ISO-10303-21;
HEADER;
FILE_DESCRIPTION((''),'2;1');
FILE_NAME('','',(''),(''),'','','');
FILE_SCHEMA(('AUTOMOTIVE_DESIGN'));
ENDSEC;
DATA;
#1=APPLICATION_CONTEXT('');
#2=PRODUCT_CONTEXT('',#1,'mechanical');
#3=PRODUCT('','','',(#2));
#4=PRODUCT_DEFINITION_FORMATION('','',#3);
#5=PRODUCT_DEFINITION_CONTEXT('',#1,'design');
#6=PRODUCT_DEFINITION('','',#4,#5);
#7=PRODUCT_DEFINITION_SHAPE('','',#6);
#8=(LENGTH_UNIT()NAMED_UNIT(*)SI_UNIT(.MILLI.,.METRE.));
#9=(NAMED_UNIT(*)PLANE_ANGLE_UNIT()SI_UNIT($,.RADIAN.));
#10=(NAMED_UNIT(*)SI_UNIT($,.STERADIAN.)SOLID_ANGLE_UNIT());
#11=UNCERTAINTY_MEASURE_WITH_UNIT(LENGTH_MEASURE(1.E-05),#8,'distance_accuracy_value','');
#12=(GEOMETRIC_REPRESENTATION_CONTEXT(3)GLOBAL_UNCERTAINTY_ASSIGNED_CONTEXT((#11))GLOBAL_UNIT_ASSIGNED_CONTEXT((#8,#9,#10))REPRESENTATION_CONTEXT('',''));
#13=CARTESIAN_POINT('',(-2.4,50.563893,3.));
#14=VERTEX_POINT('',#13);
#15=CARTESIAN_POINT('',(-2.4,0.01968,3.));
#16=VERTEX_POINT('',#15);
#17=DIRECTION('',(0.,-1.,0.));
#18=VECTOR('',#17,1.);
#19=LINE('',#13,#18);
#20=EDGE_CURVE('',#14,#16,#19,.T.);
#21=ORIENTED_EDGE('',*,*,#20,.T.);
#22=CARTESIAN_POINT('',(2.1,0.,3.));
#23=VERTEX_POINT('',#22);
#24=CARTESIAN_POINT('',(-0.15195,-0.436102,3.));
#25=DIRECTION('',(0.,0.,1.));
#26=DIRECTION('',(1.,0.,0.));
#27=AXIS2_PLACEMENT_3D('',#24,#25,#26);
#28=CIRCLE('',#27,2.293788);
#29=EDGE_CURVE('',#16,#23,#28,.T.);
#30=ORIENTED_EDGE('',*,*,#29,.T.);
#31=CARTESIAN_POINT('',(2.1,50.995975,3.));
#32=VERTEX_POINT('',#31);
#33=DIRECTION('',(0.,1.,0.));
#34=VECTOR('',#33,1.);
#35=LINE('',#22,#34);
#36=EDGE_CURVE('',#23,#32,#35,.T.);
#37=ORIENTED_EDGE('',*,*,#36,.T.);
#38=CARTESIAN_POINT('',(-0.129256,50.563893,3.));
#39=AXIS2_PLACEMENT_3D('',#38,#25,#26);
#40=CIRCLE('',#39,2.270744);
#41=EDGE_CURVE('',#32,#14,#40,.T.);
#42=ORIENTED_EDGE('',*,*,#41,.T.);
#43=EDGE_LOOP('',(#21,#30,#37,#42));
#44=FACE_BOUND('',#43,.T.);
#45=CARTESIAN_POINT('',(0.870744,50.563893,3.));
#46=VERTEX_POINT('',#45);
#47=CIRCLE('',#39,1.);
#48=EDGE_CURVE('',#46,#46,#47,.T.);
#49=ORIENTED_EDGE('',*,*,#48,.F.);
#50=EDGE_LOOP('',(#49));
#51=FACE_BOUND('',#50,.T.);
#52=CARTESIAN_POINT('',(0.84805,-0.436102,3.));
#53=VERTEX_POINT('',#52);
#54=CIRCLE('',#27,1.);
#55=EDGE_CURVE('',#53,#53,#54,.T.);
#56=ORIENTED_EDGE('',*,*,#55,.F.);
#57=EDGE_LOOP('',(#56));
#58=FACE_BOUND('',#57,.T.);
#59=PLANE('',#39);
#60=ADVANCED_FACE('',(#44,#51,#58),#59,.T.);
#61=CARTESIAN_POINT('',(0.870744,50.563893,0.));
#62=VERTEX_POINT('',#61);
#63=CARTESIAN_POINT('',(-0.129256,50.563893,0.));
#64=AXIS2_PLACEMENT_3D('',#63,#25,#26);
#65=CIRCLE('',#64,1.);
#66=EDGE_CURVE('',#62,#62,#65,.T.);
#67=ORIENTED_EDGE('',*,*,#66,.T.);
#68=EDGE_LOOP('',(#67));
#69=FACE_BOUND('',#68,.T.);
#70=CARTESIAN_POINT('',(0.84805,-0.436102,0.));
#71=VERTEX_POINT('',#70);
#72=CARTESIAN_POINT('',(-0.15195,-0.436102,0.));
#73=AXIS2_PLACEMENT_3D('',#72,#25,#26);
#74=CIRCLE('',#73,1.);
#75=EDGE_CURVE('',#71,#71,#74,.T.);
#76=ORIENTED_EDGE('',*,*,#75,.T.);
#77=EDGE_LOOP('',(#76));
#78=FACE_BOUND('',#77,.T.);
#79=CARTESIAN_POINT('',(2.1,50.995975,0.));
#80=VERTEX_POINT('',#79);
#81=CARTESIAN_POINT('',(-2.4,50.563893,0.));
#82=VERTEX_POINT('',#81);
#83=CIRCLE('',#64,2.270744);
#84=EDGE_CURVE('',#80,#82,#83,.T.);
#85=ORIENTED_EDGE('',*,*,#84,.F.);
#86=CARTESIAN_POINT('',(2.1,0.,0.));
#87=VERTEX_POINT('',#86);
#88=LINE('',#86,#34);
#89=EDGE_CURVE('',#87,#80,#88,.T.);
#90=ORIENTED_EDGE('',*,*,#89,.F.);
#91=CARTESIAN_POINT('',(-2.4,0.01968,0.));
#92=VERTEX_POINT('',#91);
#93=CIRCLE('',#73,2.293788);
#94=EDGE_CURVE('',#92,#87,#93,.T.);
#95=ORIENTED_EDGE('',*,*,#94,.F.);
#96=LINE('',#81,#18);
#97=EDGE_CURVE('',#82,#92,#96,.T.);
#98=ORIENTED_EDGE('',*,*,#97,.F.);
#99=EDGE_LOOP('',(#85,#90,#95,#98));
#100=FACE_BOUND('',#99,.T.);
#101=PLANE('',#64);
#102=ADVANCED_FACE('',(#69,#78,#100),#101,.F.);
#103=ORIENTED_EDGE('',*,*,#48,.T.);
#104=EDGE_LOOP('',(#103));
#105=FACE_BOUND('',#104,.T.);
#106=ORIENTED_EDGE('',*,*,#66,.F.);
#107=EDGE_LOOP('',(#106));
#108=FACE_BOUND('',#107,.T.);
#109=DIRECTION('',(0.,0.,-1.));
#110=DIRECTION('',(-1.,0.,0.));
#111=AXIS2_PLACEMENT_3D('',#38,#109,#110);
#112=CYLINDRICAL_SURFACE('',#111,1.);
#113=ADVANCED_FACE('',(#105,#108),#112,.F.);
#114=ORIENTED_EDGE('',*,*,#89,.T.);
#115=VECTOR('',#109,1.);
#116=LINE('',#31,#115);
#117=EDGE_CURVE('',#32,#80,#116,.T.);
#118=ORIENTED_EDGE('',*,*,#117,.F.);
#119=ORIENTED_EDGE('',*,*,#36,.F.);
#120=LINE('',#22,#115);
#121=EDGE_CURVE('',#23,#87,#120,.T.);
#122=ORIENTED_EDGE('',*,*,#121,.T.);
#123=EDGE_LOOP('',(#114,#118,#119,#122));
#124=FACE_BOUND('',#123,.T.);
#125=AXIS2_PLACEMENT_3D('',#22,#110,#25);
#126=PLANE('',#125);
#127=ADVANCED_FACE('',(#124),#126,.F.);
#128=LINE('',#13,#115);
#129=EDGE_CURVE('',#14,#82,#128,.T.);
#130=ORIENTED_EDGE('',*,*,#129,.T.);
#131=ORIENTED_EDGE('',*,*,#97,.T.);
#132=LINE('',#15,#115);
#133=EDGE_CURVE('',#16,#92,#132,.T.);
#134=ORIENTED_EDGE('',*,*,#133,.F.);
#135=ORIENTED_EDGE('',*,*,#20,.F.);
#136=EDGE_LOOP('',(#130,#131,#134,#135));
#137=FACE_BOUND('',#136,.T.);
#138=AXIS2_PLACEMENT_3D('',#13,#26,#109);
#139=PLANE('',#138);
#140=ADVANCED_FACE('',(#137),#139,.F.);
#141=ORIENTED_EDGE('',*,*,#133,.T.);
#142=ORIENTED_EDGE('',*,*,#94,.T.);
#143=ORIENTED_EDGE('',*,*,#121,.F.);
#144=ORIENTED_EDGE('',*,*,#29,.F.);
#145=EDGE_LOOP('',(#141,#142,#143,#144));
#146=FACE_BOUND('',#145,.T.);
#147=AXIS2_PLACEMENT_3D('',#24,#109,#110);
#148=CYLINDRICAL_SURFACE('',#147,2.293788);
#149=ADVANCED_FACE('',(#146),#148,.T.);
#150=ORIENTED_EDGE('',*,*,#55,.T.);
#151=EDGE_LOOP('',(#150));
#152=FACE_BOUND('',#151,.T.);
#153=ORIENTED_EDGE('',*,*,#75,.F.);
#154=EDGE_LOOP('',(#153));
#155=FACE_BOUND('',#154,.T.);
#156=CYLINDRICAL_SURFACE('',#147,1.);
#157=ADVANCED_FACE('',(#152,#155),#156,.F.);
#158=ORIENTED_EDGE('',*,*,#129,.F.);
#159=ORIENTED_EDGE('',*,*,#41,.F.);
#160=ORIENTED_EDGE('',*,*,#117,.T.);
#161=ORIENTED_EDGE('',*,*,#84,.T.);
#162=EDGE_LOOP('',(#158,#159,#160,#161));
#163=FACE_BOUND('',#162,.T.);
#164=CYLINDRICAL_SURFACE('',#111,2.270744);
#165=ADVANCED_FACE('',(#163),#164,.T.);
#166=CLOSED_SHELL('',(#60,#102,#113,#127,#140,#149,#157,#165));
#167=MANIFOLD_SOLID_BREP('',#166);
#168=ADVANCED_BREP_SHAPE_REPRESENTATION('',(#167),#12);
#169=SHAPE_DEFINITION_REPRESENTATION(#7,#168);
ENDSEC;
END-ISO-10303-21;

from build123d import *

# Parameters (mm, degrees)
SKETCH_1_R      = 1
EXTRUDE_1_DEPTH = 3


with BuildPart() as part:
    # 草图1 → 凸台-拉伸1 (new body)
    with BuildSketch(Plane.XY):
        with BuildLine():
            Line((-2.4, 50.563893142), (-2.4, 0.019680454))
            ThreePointArc((-2.4, 0.019680454), (-0.161981935, -2.729868209), (2.1, 0))
            Line((2.1, 0), (2.1, 50.995975371))
            ThreePointArc((2.1, 50.995975371), (-0.346290832, 52.824241293), (-2.4, 50.563893142))
        make_face()
        with Locations((-0.151950298, -0.436101809)):
            Circle(SKETCH_1_R, mode=Mode.SUBTRACT)
        with Locations((-0.129256105, 50.563893142)):
            Circle(SKETCH_1_R, mode=Mode.SUBTRACT)
    extrude(amount=EXTRUDE_1_DEPTH)


solid = part.part
